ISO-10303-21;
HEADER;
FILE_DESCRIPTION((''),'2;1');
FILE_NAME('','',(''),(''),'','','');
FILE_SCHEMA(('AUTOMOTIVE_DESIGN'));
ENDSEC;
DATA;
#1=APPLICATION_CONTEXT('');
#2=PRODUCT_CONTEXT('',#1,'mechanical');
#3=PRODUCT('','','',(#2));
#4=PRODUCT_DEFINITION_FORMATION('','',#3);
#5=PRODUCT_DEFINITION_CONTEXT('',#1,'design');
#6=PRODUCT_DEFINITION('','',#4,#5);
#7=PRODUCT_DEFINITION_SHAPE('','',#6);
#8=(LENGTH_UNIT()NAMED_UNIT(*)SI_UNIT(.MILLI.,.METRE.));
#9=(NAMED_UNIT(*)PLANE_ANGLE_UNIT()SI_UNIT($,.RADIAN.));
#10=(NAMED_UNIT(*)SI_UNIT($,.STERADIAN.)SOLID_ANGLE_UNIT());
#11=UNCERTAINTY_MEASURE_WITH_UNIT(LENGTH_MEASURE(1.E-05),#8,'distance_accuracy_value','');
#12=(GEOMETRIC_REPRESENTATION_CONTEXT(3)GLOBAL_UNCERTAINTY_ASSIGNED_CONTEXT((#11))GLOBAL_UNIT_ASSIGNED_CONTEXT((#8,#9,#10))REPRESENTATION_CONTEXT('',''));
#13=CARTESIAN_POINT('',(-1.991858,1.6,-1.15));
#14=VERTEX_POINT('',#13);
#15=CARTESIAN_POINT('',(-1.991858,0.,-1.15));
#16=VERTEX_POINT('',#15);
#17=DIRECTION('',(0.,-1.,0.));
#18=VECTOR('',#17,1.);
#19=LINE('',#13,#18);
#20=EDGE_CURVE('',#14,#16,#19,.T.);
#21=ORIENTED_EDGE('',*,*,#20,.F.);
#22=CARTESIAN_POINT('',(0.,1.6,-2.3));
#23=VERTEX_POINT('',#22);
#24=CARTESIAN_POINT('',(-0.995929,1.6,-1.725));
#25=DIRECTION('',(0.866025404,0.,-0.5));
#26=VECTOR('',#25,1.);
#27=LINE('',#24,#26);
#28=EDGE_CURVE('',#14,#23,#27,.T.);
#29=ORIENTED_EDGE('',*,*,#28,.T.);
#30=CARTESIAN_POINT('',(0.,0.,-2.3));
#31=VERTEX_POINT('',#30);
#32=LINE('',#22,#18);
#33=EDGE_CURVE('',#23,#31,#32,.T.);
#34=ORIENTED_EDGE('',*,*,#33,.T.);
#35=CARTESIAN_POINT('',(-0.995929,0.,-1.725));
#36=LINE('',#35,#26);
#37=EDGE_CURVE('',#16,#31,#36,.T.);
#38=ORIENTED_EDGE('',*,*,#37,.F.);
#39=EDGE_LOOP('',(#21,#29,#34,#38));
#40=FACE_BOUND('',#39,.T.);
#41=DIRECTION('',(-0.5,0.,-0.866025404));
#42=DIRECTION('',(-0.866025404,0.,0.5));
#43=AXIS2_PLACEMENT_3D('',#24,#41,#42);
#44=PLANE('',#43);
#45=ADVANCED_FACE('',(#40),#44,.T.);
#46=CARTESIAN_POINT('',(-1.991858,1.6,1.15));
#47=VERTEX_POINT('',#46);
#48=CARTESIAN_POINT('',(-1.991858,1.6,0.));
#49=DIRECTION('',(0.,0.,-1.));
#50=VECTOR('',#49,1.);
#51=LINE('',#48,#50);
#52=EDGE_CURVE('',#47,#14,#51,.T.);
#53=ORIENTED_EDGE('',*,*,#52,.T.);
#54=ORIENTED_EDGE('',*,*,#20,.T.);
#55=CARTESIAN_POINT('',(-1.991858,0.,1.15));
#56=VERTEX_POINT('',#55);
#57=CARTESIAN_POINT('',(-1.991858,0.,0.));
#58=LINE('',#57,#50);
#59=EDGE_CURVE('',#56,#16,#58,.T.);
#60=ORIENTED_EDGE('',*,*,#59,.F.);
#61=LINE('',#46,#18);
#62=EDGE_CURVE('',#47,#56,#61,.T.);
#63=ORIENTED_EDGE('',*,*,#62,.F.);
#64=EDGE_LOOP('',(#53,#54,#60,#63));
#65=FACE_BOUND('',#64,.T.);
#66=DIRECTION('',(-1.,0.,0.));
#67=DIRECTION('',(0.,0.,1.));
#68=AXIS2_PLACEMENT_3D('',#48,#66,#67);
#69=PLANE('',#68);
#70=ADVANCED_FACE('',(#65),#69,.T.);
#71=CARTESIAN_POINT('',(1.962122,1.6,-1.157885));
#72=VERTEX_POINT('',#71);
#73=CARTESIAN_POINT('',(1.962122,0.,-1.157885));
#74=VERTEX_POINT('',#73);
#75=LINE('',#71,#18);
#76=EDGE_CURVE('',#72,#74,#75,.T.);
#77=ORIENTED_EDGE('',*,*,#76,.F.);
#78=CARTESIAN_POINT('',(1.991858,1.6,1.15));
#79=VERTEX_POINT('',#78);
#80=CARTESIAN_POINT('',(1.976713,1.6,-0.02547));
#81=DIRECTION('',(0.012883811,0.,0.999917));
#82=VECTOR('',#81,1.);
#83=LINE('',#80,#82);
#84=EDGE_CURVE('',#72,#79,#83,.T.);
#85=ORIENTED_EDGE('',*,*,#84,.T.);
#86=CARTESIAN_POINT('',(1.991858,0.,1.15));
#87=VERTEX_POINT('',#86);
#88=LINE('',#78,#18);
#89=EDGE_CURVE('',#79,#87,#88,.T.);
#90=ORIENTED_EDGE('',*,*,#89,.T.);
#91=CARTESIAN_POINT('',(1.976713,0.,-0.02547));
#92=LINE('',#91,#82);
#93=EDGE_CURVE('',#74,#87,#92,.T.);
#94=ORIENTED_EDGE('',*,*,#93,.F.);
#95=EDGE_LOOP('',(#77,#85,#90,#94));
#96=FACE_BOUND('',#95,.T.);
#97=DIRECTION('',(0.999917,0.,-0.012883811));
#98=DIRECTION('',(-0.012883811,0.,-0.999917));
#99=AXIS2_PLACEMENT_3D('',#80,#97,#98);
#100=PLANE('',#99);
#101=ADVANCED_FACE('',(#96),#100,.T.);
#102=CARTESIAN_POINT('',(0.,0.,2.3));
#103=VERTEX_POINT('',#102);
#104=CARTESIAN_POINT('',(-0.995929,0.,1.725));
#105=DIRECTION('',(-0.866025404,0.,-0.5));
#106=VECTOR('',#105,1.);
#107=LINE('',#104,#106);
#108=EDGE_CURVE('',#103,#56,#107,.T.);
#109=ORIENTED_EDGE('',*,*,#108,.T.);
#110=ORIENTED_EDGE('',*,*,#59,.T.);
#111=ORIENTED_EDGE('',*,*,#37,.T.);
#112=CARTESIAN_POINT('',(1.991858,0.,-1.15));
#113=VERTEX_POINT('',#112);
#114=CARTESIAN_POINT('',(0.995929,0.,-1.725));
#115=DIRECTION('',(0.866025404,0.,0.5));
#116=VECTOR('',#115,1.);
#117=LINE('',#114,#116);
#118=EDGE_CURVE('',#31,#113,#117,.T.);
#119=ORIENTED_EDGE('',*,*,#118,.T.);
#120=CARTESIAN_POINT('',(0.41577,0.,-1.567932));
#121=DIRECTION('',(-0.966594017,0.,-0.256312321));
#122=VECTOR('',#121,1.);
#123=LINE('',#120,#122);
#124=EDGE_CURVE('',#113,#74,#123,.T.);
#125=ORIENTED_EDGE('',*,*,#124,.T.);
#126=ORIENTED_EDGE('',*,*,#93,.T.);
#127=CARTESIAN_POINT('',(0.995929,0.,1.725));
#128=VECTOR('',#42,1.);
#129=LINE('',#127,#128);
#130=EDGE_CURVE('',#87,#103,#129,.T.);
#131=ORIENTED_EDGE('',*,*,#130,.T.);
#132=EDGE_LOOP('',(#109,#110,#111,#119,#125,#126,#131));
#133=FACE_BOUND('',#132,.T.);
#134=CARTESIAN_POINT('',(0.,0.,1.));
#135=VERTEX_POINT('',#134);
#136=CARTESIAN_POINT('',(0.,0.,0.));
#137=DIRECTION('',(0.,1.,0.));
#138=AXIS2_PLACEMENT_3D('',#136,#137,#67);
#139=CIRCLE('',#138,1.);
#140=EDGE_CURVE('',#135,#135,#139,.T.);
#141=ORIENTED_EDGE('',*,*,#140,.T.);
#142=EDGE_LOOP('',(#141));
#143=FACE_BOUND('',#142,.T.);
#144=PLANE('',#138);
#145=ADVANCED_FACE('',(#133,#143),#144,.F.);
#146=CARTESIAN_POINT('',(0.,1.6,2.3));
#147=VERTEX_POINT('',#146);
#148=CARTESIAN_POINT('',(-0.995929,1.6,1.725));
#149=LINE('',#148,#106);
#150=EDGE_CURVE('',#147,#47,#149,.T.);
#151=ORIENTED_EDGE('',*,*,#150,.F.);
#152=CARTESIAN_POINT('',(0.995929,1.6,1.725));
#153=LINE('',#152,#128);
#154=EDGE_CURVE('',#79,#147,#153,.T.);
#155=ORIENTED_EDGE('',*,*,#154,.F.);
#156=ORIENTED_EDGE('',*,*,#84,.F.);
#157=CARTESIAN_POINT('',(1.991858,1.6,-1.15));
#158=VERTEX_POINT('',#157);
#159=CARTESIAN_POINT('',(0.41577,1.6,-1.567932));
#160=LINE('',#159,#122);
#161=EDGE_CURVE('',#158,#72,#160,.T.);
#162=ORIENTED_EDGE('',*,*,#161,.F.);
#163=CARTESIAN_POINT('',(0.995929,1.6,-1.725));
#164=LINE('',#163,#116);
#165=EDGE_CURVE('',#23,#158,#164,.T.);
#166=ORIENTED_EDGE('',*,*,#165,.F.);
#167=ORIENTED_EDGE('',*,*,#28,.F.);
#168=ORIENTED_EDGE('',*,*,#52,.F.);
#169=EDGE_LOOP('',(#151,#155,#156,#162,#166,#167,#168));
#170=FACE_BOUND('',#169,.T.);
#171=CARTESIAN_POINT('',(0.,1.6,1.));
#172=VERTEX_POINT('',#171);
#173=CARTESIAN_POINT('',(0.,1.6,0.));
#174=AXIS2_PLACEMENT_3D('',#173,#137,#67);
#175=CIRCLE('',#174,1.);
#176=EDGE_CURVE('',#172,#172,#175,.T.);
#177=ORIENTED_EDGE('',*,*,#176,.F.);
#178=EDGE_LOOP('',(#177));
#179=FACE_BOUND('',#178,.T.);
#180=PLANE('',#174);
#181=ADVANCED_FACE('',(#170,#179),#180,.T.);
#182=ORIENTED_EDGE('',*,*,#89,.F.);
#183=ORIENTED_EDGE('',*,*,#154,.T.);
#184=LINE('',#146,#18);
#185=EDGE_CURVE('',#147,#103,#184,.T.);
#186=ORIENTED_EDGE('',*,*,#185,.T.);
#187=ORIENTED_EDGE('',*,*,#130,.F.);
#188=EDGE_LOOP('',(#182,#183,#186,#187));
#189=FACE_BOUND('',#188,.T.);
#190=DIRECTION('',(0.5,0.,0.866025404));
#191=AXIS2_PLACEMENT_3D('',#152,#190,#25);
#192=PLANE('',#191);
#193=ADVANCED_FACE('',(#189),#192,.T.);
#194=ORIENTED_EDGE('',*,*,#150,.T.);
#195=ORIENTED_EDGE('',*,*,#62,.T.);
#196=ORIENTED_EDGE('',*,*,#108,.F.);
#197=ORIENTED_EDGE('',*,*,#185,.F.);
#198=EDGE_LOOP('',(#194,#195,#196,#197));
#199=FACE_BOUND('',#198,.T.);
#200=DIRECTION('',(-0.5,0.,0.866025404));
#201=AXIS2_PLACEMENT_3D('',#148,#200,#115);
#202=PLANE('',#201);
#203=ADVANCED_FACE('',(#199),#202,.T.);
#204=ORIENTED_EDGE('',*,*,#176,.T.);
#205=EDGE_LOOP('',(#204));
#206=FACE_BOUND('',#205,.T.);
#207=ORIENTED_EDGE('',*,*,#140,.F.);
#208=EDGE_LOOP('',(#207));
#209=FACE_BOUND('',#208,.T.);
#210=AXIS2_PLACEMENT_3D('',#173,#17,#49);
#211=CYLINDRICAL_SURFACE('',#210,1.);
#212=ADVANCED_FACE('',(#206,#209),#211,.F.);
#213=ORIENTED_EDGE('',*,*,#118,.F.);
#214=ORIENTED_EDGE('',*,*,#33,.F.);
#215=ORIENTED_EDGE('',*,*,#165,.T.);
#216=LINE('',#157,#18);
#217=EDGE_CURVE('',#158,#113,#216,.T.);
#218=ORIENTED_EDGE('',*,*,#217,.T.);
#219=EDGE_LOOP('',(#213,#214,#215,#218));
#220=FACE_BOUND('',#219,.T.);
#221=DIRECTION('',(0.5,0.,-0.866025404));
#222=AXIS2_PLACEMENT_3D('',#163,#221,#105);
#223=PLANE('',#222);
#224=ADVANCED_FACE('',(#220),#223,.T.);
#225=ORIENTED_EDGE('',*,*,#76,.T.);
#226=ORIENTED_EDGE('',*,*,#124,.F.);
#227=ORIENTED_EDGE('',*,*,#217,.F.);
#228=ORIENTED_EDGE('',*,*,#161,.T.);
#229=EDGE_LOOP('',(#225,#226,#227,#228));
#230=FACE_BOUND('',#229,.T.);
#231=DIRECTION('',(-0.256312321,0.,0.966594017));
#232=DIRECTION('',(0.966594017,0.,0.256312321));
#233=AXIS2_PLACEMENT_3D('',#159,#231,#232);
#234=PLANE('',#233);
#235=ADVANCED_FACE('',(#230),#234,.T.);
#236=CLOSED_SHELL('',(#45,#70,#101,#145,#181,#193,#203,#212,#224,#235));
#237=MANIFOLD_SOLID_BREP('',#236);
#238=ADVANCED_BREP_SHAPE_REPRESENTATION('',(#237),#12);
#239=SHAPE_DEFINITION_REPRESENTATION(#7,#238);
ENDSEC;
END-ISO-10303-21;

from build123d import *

# Parameters (mm, degrees)
SKETCH1_R           = 1
BOSS_EXTRUDE1_DEPTH = 1.6


with BuildPart() as part:
    # Sketch1 → Boss-Extrude1 (new body)
    with BuildSketch(Plane(origin=(0, 0, 0), x_dir=(1, 0, 0), z_dir=(0, 1, 0))):
        Polygon((0, 2.3), (-1.991858429, 1.15), (-1.991858429, -1.15), (0, -2.3), (1.991858429, -1.15), (1.962121601, 1.157885333), (1.991858429, 1.15), align=None)
        Circle(SKETCH1_R, mode=Mode.SUBTRACT)
    extrude(amount=BOSS_EXTRUDE1_DEPTH)


solid = part.part
